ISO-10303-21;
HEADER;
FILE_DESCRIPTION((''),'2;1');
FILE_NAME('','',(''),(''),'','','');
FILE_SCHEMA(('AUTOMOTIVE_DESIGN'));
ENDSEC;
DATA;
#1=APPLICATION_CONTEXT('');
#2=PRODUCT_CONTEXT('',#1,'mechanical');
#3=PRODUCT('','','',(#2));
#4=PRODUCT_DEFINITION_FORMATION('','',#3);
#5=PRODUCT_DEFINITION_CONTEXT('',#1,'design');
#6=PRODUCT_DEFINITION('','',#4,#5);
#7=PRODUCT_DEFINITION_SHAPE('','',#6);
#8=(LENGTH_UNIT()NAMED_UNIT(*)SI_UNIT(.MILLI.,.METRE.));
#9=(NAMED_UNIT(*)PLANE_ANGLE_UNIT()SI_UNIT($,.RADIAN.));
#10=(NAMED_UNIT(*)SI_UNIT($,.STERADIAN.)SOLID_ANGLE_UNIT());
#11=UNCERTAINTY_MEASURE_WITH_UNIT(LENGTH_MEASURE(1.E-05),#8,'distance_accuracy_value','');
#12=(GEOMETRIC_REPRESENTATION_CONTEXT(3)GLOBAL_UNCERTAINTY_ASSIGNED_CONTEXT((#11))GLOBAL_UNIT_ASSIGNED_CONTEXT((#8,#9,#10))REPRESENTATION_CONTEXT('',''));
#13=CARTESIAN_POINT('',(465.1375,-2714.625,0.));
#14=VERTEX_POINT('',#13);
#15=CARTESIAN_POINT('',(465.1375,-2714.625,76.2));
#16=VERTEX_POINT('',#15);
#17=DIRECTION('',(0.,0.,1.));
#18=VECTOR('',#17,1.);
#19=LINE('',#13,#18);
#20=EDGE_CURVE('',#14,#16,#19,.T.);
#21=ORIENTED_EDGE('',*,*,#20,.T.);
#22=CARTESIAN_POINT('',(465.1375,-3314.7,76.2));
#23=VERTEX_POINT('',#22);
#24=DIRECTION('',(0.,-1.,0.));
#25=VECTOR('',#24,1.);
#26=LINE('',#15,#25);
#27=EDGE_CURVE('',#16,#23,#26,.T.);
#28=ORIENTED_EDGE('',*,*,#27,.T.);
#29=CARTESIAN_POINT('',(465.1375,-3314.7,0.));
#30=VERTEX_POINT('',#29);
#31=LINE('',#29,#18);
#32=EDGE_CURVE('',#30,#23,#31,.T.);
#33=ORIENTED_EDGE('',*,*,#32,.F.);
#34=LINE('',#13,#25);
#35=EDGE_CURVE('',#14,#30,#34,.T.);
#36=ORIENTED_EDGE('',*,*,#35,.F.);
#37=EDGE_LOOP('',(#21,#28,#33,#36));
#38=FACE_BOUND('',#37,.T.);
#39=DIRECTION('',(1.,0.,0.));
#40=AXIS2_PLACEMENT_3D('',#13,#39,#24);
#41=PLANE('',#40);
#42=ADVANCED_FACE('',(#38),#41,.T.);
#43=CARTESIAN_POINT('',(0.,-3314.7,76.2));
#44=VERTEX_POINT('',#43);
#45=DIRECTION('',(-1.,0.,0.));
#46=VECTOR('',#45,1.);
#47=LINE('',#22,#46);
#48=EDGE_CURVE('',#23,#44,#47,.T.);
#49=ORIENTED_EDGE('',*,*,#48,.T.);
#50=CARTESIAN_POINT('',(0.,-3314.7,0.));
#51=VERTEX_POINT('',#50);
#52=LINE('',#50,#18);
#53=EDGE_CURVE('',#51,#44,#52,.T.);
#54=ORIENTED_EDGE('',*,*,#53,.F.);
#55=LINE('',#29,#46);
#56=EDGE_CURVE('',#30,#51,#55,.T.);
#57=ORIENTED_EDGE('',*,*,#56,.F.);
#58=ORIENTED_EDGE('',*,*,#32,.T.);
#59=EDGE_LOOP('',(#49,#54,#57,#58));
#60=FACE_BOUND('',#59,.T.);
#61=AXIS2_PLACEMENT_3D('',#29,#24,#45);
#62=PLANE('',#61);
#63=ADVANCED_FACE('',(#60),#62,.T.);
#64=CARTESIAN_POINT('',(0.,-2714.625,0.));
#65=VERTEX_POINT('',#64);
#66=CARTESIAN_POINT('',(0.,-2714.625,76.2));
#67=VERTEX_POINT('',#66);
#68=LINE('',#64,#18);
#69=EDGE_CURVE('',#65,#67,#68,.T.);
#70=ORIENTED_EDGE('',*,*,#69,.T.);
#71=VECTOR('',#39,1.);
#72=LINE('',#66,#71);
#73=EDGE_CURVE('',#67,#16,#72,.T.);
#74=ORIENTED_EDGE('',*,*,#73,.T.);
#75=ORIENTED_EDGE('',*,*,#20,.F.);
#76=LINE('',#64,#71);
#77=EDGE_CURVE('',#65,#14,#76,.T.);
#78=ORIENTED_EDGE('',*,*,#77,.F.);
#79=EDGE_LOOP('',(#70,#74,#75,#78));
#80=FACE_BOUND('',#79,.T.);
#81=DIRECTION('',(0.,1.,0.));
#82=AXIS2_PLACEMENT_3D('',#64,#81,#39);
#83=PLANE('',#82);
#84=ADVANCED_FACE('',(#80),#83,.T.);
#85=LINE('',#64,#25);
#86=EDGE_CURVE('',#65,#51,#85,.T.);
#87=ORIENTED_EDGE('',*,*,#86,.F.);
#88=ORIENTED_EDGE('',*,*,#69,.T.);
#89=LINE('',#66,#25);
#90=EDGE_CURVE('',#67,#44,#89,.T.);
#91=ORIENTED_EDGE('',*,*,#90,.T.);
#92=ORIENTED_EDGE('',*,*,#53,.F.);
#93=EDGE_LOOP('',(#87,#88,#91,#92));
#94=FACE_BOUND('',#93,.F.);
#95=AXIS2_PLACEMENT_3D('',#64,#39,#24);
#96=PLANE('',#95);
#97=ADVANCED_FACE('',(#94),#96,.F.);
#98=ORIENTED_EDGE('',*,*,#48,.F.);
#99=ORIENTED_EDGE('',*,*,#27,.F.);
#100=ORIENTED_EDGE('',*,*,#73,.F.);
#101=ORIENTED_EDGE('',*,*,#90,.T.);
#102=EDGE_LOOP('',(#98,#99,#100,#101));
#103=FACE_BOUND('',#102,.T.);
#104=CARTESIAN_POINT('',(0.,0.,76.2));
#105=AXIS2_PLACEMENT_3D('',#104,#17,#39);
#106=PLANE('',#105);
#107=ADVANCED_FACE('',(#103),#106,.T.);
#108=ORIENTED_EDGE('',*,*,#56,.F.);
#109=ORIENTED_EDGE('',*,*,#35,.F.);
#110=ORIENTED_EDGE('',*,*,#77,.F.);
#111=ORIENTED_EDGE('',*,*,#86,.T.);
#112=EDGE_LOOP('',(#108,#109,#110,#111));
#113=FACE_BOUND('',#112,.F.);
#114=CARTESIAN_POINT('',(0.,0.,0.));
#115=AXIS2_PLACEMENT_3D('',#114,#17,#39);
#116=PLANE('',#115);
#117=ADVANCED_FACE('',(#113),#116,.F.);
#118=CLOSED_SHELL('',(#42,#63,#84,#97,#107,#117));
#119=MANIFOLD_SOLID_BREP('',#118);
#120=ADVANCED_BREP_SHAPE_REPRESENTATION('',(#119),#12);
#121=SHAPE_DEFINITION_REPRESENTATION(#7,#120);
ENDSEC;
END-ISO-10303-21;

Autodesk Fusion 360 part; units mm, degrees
sketch "Sketch1" plane through (0, 0, 0) normal (0, 0, 1) x (1, 0, 0)
  line L0 (0, 0) -> (0, -600.075)
  line L1 (0, -600.075) -> (744.5375, -600.075)
  line L2 (0, 0) -> (947.7375, 0)
  line L3 (947.7375, 0) -> (744.5375, -600.075)
  line L4 (1049.3375, -600.075) -> (2105.025, -600.075)
  line L5 (1049.3375, -600.075) -> (1252.5375, 0)
  line L6 (2105.025, -600.075) -> (1698.625, 0)
  line L7 (1252.5375, 0) -> (1698.625, 0)
  line L8 (2003.425, 0) -> (3025.775, 0)
  line L9 (2409.825, -600.075) -> (3025.775, -600.075)
  line L10 (3025.775, 0) -> (3025.775, -600.075)
  line L11 (2409.825, -600.075) -> (2003.425, 0)
  line L12 (0, -904.875) -> (0, -1504.95)
  line L13 (0, -1504.95) -> (376.2375, -1504.95)
  line L14 (376.2375, -1504.95) -> (528.6375, -904.875)
  line L15 (0, -904.875) -> (528.6375, -904.875)
  line L16 (579.4375, -1504.95) -> (1636.7125, -1504.95)
  line L17 (731.8375, -904.875) -> (1420.8125, -904.875)
  line L18 (579.4375, -1504.95) -> (731.8375, -904.875)
  line L19 (1420.8125, -904.875) -> (1636.7125, -1504.95)
  line L20 (1839.9125, -1504.95) -> (2160.5875, -1504.95)
  line L21 (1624.0125, -904.875) -> (2401.8875, -904.875)
  line L22 (1624.0125, -904.875) -> (1839.9125, -1504.95)
  line L23 (2160.5875, -1504.95) -> (2401.8875, -904.875)
  line L24 (2363.7875, -1504.95) -> (3019.425, -1504.95)
  line L25 (2605.0875, -904.875) -> (3019.425, -904.875)
  line L26 (3019.425, -904.875) -> (3019.425, -1504.95)
  line L27 (2605.0875, -904.875) -> (2363.7875, -1504.95)
  line L28 (0, -1809.75) -> (0, -2409.825)
  line L29 (0, -1809.75) -> (909.6375, -1809.75)
  line L30 (0, -2409.825) -> (795.3375, -2409.825)
  line L31 (795.3375, -2409.825) -> (909.6375, -1809.75)
  line L32 (1214.4375, -1809.75) -> (2017.7125, -1809.75)
  line L33 (1100.1375, -2409.825) -> (1878.0125, -2409.825)
  line L34 (1100.1375, -2409.825) -> (1214.4375, -1809.75)
  line L35 (1878.0125, -2409.825) -> (2017.7125, -1809.75)
  line L36 (2182.8125, -2409.825) -> (3028.95, -2409.825)
  line L37 (2322.5125, -1809.75) -> (3028.95, -1809.75)
  line L38 (2322.5125, -1809.75) -> (2182.8125, -2409.825)
  line L39 (3028.95, -1809.75) -> (3028.95, -2409.825)
  line L40 (0, -2714.625) -> (0, -3314.7)
  line L41 (0, -2714.625) -> (465.1375, -2714.625)
  line L42 (465.1375, -2714.625) -> (465.1375, -3314.7)
  line L43 (465.1375, -3314.7) -> (0, -3314.7)
  line L44 (668.3375, -3314.7) -> (1268.4125, -3314.7)
  line L45 (668.3375, -3314.7) -> (668.3375, -2714.625)
  line L46 (668.3375, -2714.625) -> (1458.9125, -2714.625)
  line L47 (1458.9125, -2714.625) -> (1268.4125, -3314.7)
  line L48 (1471.6125, -3314.7) -> (2236.7875, -3314.7)
  line L49 (1662.1125, -2714.625) -> (2528.8875, -2714.625)
  line L50 (1471.6125, -3314.7) -> (1662.1125, -2714.625)
  line L51 (2528.8875, -2714.625) -> (2236.7875, -3314.7)
  line L52 (2439.9875, -3314.7) -> (3019.425, -3314.7)
  line L53 (2732.0875, -2714.625) -> (3019.425, -2714.625)
  line L54 (2439.9875, -3314.7) -> (2732.0875, -2714.625)
  line L55 (3019.425, -2714.625) -> (3019.425, -3314.7)
  dimension "d1" = 600.075
  dimension "d2" = 744.5375
  dimension "d3" = 1055.6875
  dimension "d4" = 304.8
  dimension "d5" = 1022.35
  dimension "d6" = 615.95
  dimension "d7" = 0
  dimension "d8" = 304.8
  dimension "d9" = 376.2375
  dimension "d10" = 1057.275
  dimension "d11" = 203.2
  dimension "d12" = 688.975
  dimension "d13" = 320.675
  dimension "d14" = 777.875
  dimension "d15" = 203.2
  dimension "d16" = 655.6375
  dimension "d17" = 414.3375
  dimension "d18" = 203.2
  dimension "d19" = 0
  dimension "d20" = 0
  dimension "d21" = 909.6375
  dimension "d22" = 795.3375
  dimension "d23" = 803.275
  dimension "d24" = 777.875
  dimension "d25" = 304.8
  dimension "d26" = 846.1375
  dimension "d27" = 304.8
  dimension "d28" = 706.4375
  dimension "d29" = 304.8
  dimension "d30" = 947.7375
  dimension "d31" = 446.0875
  dimension "d32" = 528.6375
  dimension "d33" = 0
  dimension "d34" = 0
  dimension "d35" = 465.1375
  dimension "d36" = 600.075
  dimension "d37" = 203.2
  dimension "d38" = 790.575
  dimension "d39" = 765.175
  dimension "d40" = 203.2
  dimension "d41" = 866.775
  dimension "d42" = 579.4375
  dimension "d43" = 287.3375
  dimension "d44" = 203.2
extrude "Extrude1" add sketch "Sketch1" along normal blind 76.2 contours L40 L41 L42 L43
equation "d1 = 23 5/8\""
equation "d2 = 29 5/16\""
equation "d3 = 41 9/16\""
equation "d5 = 40 1/4\""
equation "d6 = 24 1/4\""
equation "d7 = d20"
equation "d9 = 14 13/16\""
equation "d12 = 27 1/8\""
equation "d13 = 12 5/8\""
equation "d14 = 30 5/8\""
equation "d16 = 25 13/16\""
equation "d17 = 16 5/16\""
equation "d19 = d20"
equation "d20 = d33"
equation "d21 = 35 13/16\""
equation "d22 = 31 5/16\""
equation "d23 = 31 5/8\""
equation "d24 = 30 5/8\""
equation "d26 = 33 5/16\""
equation "d28 = 27 13/16\""
equation "d30 = 37 5/16\""
equation "d31 = 17 9/16\""
equation "d32 = 20 13/16\""
equation "d33 = d33"
equation "d34 = d20"
equation "d35 = 18 5/16\""
equation "d36 = 23 5/8\""
equation "d38 = 31 1/8\""
equation "d41 = 34 1/8\""
